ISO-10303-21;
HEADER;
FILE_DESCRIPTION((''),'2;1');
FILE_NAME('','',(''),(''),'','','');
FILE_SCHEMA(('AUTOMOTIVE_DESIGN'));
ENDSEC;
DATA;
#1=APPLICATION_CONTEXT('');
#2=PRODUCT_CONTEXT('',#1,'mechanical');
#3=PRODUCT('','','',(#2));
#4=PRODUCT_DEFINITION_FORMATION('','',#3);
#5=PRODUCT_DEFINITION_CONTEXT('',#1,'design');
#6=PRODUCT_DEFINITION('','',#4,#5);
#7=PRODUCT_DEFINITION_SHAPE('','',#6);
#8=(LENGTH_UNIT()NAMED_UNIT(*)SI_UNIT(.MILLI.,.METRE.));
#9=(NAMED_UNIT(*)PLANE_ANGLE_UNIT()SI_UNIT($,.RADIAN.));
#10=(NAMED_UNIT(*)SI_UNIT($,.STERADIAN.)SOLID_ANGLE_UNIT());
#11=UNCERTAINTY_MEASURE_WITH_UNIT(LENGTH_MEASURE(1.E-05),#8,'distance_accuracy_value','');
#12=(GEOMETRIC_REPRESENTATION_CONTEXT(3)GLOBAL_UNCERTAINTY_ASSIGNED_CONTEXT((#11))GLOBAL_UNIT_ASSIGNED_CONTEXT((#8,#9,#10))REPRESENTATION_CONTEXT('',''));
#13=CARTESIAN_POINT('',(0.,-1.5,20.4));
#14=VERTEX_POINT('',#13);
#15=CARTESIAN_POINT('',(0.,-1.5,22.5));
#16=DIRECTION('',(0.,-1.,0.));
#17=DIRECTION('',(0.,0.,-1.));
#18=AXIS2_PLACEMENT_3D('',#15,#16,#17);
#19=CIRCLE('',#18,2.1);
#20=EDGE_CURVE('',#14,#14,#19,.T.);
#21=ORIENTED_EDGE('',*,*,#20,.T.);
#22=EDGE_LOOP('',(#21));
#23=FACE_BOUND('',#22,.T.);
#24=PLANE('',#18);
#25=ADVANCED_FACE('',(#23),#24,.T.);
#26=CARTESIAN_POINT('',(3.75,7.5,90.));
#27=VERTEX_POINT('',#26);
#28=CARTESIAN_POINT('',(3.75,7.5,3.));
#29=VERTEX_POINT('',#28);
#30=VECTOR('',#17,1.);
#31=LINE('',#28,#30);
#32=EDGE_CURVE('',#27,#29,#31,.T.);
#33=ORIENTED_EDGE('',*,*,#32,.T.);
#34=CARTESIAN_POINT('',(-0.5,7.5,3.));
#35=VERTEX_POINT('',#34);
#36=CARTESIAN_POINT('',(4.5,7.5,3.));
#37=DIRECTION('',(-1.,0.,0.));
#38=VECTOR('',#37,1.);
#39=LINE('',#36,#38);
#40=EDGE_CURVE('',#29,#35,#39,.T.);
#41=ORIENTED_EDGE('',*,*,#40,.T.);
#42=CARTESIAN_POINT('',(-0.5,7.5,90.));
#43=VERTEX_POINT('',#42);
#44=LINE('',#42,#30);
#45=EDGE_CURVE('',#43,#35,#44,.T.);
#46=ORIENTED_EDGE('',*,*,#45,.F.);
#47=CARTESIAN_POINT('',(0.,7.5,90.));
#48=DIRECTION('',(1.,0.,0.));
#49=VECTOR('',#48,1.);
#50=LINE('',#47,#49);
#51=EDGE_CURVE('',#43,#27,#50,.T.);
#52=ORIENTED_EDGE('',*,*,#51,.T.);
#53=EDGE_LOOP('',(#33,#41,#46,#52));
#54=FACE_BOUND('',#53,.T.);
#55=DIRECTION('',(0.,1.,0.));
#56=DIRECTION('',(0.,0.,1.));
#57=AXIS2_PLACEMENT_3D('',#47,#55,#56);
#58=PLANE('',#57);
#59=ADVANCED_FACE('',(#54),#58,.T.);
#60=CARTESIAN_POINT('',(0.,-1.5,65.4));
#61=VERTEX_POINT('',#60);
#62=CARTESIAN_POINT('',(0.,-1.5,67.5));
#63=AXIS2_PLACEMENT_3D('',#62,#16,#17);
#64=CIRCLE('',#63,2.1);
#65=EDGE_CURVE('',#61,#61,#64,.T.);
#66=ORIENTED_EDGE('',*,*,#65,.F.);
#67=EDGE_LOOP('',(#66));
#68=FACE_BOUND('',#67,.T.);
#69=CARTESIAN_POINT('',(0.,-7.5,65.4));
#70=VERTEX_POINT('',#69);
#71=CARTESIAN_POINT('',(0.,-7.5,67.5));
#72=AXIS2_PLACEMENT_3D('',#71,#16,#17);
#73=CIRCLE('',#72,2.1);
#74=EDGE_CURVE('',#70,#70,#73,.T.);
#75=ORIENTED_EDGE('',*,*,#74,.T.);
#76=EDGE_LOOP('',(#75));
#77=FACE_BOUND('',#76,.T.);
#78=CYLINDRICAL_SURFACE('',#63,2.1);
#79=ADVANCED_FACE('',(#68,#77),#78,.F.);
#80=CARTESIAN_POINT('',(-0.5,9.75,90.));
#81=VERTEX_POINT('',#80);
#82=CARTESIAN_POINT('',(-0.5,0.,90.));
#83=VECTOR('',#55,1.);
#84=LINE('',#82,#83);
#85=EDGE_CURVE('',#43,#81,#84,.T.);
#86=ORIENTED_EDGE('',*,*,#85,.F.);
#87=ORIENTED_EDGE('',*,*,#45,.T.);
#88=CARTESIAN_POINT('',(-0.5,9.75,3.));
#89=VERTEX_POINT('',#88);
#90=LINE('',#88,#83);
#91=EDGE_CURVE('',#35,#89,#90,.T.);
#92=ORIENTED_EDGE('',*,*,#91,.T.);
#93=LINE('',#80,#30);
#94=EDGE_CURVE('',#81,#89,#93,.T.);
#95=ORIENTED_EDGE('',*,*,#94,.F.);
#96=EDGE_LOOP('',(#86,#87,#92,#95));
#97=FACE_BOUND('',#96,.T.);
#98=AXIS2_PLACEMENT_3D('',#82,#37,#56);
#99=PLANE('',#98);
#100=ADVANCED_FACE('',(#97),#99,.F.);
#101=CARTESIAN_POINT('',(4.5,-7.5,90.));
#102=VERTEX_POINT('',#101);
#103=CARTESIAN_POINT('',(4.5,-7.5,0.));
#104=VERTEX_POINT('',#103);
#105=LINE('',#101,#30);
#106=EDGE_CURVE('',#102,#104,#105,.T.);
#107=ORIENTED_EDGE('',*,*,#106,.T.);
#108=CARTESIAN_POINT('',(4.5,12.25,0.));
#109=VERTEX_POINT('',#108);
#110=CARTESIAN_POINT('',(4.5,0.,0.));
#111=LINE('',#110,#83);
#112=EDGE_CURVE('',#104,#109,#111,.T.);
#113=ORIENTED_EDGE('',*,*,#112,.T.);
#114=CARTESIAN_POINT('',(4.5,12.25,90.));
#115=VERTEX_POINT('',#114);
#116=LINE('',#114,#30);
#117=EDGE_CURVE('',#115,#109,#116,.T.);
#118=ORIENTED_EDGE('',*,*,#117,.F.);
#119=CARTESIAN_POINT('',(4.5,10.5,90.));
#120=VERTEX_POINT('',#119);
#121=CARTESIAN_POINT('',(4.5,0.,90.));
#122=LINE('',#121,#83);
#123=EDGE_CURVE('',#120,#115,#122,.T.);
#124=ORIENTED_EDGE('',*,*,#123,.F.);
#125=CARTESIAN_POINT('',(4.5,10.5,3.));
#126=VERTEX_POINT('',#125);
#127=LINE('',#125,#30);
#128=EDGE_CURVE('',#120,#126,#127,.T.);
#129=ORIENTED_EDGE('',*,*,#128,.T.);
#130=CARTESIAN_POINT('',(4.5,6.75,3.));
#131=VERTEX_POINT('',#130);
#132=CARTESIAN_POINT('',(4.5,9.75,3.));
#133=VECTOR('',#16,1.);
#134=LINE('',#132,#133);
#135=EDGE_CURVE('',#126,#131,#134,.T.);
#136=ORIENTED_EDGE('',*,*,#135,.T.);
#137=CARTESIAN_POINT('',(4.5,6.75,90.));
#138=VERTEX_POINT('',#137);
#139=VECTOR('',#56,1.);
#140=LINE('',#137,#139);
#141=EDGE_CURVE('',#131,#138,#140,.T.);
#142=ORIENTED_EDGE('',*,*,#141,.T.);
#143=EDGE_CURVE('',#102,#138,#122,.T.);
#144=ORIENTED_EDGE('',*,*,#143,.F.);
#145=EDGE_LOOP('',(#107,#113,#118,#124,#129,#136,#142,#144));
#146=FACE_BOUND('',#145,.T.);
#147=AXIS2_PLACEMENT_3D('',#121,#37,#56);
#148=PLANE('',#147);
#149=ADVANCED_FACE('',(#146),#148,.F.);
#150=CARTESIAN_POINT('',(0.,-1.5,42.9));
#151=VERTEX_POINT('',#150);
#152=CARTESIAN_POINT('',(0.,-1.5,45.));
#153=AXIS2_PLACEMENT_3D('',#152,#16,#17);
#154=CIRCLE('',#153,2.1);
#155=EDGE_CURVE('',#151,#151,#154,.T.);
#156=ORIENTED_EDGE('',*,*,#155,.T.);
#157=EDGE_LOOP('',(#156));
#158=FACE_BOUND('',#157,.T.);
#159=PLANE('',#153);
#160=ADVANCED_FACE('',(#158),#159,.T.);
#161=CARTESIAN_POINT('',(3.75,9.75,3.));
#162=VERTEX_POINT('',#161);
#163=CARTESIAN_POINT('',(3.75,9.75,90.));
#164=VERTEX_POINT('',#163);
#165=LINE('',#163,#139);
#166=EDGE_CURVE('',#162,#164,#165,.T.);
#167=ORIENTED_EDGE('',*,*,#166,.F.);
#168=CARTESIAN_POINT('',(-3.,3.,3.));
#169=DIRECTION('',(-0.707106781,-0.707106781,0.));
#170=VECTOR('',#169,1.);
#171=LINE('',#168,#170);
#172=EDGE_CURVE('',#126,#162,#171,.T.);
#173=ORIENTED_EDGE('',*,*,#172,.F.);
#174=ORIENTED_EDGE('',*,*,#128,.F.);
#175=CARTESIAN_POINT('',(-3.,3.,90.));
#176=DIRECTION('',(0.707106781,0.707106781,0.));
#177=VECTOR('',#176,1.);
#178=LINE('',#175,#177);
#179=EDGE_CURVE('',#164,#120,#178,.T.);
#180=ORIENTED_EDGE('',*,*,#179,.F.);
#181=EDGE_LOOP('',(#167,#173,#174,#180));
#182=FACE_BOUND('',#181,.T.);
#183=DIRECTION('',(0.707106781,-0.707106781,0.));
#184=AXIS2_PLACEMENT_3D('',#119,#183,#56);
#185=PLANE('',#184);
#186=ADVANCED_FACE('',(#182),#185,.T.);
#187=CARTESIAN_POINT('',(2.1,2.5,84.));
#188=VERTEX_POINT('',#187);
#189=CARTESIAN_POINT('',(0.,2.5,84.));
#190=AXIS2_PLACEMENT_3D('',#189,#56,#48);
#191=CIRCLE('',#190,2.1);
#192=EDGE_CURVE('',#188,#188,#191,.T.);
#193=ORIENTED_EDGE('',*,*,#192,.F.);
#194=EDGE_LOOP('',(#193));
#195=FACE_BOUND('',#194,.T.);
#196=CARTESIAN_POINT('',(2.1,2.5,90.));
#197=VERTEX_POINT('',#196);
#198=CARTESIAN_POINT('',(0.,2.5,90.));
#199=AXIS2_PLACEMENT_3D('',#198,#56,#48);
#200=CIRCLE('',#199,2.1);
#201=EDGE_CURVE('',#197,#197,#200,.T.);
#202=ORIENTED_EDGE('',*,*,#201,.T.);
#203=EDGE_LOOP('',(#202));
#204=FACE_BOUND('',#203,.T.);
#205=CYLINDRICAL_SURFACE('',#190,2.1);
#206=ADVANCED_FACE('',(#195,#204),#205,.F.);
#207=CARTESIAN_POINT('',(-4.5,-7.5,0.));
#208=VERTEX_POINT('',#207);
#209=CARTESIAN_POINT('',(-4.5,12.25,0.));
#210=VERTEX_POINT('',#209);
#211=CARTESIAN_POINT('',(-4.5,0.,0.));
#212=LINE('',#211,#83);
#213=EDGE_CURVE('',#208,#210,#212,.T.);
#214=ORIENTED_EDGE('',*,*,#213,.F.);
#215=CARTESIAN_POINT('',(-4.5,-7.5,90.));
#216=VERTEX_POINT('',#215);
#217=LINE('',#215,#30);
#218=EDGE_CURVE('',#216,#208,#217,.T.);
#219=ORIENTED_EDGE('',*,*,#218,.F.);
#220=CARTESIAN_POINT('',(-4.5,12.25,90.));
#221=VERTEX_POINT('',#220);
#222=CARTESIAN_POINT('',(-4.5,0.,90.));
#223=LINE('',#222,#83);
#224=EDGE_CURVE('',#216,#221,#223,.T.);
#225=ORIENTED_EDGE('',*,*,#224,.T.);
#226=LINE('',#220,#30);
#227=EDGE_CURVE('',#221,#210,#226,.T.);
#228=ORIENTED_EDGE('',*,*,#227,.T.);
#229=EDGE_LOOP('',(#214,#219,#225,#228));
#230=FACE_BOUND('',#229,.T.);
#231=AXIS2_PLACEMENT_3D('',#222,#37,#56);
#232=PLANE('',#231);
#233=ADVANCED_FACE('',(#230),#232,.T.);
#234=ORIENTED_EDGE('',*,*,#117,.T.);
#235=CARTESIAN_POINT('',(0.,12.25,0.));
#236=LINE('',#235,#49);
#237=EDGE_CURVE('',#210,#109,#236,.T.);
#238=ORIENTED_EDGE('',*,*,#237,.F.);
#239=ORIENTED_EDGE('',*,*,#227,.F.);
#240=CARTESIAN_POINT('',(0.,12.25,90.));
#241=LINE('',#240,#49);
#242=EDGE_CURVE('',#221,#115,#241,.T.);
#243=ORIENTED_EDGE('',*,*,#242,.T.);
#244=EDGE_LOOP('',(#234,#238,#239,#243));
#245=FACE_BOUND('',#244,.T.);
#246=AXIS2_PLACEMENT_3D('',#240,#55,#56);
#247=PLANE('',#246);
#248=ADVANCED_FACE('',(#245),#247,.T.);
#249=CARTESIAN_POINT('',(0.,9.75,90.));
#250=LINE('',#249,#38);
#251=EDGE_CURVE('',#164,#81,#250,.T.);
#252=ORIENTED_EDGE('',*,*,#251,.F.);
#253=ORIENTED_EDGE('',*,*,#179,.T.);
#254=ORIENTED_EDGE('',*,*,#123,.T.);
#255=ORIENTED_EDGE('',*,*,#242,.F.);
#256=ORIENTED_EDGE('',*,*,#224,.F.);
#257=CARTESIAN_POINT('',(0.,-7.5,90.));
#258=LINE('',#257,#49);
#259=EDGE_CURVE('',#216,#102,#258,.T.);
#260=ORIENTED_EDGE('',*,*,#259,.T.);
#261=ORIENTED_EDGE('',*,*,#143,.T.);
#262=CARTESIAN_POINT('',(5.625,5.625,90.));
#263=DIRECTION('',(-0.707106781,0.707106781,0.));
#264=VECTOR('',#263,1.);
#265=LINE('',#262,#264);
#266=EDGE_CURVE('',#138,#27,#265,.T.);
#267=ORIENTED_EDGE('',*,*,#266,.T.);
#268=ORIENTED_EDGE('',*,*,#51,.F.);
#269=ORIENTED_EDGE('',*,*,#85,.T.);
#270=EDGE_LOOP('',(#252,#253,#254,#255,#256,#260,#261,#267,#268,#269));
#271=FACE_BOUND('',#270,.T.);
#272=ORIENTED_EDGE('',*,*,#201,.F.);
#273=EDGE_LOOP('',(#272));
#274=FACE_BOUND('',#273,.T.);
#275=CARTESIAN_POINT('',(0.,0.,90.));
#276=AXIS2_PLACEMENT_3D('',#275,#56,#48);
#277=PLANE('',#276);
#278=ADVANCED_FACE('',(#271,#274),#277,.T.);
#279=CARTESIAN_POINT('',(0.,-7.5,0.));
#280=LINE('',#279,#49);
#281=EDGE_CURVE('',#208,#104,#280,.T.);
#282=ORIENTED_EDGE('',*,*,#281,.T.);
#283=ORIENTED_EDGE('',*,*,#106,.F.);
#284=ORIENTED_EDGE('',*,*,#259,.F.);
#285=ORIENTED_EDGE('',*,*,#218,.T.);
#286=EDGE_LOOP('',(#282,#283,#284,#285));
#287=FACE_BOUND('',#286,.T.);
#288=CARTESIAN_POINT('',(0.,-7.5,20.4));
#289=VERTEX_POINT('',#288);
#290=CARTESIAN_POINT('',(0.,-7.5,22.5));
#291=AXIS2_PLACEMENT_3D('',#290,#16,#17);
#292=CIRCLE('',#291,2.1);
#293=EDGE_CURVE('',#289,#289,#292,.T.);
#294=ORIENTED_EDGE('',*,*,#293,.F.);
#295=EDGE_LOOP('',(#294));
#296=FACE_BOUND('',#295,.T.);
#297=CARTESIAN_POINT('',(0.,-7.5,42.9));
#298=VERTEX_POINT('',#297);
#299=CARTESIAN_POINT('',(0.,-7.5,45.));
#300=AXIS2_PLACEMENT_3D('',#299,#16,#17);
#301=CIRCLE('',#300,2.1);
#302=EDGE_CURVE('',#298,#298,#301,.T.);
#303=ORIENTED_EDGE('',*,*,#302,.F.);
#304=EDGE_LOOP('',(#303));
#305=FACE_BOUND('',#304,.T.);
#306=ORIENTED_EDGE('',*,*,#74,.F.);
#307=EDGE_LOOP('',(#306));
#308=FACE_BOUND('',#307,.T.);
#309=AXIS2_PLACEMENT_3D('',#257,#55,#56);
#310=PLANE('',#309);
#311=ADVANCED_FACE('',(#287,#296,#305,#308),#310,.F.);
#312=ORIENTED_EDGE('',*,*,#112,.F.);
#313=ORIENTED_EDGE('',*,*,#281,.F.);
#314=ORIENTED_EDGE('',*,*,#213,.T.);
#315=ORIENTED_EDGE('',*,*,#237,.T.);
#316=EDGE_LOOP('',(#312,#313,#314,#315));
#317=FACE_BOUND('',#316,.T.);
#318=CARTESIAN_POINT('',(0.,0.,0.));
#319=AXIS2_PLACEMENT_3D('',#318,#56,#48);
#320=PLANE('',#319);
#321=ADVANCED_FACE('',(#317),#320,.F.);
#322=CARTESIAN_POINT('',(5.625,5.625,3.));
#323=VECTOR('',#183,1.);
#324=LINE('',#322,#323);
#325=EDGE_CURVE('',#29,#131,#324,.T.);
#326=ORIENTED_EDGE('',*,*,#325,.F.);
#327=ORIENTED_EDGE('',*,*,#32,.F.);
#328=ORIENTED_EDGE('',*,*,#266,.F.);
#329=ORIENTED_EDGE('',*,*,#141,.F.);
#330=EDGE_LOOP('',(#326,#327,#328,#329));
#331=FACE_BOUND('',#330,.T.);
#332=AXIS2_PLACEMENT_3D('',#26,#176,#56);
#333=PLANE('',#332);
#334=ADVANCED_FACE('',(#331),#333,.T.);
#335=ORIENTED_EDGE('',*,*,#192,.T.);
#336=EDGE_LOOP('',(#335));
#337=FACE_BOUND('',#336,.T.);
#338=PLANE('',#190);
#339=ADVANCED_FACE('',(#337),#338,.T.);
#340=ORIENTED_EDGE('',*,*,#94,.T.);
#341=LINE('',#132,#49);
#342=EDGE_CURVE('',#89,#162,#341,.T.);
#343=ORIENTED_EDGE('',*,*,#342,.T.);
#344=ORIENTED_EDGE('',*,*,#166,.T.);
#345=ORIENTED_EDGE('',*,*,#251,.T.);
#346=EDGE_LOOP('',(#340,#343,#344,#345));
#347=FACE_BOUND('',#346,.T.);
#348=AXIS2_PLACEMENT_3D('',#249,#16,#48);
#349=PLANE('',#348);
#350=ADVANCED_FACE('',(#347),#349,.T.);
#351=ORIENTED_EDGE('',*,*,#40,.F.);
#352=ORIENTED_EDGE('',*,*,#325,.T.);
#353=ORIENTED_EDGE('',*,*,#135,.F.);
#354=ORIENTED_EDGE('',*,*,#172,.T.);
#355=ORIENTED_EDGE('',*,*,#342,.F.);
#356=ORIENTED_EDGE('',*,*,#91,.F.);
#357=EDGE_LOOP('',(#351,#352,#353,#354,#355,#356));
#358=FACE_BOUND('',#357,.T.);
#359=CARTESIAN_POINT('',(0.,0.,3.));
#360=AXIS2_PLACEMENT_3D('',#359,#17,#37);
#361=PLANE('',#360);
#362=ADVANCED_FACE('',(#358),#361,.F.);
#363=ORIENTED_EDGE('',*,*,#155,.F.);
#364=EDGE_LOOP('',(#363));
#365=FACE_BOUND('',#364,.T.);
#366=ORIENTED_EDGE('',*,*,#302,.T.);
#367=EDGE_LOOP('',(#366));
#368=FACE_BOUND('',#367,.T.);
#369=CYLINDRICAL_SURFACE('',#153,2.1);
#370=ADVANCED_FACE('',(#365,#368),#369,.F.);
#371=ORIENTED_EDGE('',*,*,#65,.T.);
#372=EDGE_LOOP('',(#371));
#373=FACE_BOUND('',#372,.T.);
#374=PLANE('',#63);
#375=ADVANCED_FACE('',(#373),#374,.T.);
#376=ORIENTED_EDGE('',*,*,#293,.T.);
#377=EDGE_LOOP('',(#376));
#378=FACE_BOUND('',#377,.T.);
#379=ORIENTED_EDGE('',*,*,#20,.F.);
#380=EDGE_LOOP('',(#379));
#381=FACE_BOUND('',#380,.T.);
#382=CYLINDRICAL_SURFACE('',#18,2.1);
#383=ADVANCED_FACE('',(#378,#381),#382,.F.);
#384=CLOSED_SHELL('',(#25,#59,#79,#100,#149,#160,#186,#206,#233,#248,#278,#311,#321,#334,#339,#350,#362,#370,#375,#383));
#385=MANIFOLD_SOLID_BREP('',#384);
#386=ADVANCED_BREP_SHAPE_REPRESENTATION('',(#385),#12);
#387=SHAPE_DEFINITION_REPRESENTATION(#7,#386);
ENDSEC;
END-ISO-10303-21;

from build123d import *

# Parameters (mm, degrees)
SKETCH_1_W          = 9
SKETCH_1_H          = 15
EXTRUDE_1_DEPTH     = 90
SKETCH_2_R          = 2.1
CUT_EXTRUDE_1_DEPTH = 6
SKETCH_3_W          = 5
SKETCH_3_H          = 2.25
EXTRUDE_2_DEPTH     = 3
CHAMFER_1_SIZE      = 0.75
SKETCH_4_R          = 2.1
CUT_EXTRUDE_2_DEPTH = 6


with BuildPart() as part:
    # Эскиз1 → Бобышка-Вытянуть1 (new body)
    with BuildSketch(Plane.XY):
        Rectangle(SKETCH_1_W, SKETCH_1_H)
        Polygon((-4.5, 12.25), (-4.5, 7.5), (-0.5, 7.5), (-0.5, 9.75), (4.5, 9.75), (4.5, 12.25), align=None)
    extrude(amount=EXTRUDE_1_DEPTH)

    # Эскиз2 → Вырез-Вытянуть1 (cut)
    with BuildSketch(Plane.XZ.offset(7.5)):
        with Locations(Location((0, 22.5, 0), (0, 0, 270))):
            Circle(SKETCH_2_R)
        with Locations(Location((0, 67.5, 0), (0, 0, 270))):
            Circle(SKETCH_2_R)
        with Locations(Location((0, 45, 0), (0, 0, 270))):
            Circle(SKETCH_2_R)
    extrude(amount=-CUT_EXTRUDE_1_DEPTH, mode=Mode.SUBTRACT)

    # Эскиз3 → Бобышка-Вытянуть2 (add)
    with BuildSketch(Plane(origin=(0, 0, 0), x_dir=(-1, 0, 0), z_dir=(0, 0, -1))):
        with Locations((-2, 8.625)):
            Rectangle(SKETCH_3_W, SKETCH_3_H)
    extrude(amount=-EXTRUDE_2_DEPTH)

    # Фаска1
    chamfer_1_edges = [part.edges().sort_by_distance(p)[0] for p in [
        (4.5, 9.75, 46.5),
        (4.5, 7.5, 46.5),
    ]]
    chamfer(chamfer_1_edges, length=CHAMFER_1_SIZE)

    # Эскиз4 → Вырез-Вытянуть2 (cut)
    with BuildSketch(Plane.XY.offset(90)):
        with Locations((0, 2.5)):
            Circle(SKETCH_4_R)
    extrude(amount=-CUT_EXTRUDE_2_DEPTH, mode=Mode.SUBTRACT)


solid = part.part
